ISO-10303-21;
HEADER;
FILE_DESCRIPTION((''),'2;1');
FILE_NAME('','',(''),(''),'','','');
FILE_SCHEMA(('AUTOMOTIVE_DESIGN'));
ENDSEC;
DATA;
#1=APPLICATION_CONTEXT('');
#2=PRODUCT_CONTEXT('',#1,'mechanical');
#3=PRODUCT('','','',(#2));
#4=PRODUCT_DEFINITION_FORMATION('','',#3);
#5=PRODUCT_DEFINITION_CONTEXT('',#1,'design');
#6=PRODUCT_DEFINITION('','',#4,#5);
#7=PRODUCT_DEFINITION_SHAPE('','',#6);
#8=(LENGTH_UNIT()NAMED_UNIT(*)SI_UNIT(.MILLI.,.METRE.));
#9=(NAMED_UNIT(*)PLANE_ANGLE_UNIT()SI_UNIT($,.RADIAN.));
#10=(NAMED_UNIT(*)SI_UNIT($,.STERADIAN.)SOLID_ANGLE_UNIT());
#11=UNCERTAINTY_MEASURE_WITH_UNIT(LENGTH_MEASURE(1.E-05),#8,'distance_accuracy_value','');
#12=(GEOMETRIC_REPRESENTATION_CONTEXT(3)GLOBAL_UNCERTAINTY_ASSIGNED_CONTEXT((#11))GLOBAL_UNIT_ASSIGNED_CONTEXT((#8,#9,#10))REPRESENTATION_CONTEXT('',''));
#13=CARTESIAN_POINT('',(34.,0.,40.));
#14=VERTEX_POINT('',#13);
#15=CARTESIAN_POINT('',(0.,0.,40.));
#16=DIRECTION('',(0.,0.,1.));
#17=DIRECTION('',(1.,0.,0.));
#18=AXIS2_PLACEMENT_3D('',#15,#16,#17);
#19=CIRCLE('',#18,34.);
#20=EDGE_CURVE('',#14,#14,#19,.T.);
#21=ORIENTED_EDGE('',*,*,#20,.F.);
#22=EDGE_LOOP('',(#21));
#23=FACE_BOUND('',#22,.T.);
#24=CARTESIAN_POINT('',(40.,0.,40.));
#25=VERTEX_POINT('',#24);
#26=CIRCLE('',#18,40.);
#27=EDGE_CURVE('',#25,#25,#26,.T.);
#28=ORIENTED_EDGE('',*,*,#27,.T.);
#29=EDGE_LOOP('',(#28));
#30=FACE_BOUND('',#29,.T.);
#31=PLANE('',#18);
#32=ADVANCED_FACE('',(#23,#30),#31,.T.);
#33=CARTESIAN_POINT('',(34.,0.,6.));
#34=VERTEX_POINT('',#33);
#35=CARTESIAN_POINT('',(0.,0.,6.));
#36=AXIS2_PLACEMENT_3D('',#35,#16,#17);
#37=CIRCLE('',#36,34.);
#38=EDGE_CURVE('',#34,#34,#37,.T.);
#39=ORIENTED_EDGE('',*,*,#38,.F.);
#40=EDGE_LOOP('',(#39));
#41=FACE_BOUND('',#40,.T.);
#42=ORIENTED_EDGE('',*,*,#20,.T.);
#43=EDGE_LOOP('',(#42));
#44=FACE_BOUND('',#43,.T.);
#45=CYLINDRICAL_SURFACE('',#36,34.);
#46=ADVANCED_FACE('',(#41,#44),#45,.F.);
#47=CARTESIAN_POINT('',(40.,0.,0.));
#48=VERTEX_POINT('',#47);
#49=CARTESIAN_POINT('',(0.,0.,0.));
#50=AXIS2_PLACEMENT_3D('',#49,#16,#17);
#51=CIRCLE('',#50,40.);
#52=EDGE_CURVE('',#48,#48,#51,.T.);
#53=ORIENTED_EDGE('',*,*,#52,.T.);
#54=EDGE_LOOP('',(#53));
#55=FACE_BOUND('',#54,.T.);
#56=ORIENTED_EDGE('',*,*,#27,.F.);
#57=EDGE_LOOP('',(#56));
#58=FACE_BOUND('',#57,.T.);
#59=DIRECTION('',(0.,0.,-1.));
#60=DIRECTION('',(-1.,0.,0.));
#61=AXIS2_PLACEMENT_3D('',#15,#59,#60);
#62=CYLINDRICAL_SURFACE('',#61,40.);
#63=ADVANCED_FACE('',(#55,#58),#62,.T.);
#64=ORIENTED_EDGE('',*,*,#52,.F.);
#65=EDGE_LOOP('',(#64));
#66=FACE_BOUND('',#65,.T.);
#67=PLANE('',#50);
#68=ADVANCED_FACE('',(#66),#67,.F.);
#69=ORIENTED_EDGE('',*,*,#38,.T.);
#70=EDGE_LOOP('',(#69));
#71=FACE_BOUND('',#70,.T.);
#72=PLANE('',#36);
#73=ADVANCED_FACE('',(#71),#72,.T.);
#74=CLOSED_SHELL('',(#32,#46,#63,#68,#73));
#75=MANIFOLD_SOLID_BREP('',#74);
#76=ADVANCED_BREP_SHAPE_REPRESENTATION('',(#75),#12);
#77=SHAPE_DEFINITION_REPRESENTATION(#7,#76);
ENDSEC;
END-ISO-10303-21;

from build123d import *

# Parameters (mm, degrees)
SKETCH_3_R          = 40
EXTRUDE_2_DEPTH     = 40
SKETCH_4_R          = 34
CUT_EXTRUDE_2_DEPTH = 34


with BuildPart() as part:
    # 草图3 → 凸台-拉伸2 (new body)
    with BuildSketch(Plane.XY):
        Circle(SKETCH_3_R)
    extrude(amount=EXTRUDE_2_DEPTH)

    # 草图4 → 切除-拉伸2 (cut)
    with BuildSketch(Plane.XY.offset(40)):
        Circle(SKETCH_4_R)
    extrude(amount=-CUT_EXTRUDE_2_DEPTH, mode=Mode.SUBTRACT)


solid = part.part
